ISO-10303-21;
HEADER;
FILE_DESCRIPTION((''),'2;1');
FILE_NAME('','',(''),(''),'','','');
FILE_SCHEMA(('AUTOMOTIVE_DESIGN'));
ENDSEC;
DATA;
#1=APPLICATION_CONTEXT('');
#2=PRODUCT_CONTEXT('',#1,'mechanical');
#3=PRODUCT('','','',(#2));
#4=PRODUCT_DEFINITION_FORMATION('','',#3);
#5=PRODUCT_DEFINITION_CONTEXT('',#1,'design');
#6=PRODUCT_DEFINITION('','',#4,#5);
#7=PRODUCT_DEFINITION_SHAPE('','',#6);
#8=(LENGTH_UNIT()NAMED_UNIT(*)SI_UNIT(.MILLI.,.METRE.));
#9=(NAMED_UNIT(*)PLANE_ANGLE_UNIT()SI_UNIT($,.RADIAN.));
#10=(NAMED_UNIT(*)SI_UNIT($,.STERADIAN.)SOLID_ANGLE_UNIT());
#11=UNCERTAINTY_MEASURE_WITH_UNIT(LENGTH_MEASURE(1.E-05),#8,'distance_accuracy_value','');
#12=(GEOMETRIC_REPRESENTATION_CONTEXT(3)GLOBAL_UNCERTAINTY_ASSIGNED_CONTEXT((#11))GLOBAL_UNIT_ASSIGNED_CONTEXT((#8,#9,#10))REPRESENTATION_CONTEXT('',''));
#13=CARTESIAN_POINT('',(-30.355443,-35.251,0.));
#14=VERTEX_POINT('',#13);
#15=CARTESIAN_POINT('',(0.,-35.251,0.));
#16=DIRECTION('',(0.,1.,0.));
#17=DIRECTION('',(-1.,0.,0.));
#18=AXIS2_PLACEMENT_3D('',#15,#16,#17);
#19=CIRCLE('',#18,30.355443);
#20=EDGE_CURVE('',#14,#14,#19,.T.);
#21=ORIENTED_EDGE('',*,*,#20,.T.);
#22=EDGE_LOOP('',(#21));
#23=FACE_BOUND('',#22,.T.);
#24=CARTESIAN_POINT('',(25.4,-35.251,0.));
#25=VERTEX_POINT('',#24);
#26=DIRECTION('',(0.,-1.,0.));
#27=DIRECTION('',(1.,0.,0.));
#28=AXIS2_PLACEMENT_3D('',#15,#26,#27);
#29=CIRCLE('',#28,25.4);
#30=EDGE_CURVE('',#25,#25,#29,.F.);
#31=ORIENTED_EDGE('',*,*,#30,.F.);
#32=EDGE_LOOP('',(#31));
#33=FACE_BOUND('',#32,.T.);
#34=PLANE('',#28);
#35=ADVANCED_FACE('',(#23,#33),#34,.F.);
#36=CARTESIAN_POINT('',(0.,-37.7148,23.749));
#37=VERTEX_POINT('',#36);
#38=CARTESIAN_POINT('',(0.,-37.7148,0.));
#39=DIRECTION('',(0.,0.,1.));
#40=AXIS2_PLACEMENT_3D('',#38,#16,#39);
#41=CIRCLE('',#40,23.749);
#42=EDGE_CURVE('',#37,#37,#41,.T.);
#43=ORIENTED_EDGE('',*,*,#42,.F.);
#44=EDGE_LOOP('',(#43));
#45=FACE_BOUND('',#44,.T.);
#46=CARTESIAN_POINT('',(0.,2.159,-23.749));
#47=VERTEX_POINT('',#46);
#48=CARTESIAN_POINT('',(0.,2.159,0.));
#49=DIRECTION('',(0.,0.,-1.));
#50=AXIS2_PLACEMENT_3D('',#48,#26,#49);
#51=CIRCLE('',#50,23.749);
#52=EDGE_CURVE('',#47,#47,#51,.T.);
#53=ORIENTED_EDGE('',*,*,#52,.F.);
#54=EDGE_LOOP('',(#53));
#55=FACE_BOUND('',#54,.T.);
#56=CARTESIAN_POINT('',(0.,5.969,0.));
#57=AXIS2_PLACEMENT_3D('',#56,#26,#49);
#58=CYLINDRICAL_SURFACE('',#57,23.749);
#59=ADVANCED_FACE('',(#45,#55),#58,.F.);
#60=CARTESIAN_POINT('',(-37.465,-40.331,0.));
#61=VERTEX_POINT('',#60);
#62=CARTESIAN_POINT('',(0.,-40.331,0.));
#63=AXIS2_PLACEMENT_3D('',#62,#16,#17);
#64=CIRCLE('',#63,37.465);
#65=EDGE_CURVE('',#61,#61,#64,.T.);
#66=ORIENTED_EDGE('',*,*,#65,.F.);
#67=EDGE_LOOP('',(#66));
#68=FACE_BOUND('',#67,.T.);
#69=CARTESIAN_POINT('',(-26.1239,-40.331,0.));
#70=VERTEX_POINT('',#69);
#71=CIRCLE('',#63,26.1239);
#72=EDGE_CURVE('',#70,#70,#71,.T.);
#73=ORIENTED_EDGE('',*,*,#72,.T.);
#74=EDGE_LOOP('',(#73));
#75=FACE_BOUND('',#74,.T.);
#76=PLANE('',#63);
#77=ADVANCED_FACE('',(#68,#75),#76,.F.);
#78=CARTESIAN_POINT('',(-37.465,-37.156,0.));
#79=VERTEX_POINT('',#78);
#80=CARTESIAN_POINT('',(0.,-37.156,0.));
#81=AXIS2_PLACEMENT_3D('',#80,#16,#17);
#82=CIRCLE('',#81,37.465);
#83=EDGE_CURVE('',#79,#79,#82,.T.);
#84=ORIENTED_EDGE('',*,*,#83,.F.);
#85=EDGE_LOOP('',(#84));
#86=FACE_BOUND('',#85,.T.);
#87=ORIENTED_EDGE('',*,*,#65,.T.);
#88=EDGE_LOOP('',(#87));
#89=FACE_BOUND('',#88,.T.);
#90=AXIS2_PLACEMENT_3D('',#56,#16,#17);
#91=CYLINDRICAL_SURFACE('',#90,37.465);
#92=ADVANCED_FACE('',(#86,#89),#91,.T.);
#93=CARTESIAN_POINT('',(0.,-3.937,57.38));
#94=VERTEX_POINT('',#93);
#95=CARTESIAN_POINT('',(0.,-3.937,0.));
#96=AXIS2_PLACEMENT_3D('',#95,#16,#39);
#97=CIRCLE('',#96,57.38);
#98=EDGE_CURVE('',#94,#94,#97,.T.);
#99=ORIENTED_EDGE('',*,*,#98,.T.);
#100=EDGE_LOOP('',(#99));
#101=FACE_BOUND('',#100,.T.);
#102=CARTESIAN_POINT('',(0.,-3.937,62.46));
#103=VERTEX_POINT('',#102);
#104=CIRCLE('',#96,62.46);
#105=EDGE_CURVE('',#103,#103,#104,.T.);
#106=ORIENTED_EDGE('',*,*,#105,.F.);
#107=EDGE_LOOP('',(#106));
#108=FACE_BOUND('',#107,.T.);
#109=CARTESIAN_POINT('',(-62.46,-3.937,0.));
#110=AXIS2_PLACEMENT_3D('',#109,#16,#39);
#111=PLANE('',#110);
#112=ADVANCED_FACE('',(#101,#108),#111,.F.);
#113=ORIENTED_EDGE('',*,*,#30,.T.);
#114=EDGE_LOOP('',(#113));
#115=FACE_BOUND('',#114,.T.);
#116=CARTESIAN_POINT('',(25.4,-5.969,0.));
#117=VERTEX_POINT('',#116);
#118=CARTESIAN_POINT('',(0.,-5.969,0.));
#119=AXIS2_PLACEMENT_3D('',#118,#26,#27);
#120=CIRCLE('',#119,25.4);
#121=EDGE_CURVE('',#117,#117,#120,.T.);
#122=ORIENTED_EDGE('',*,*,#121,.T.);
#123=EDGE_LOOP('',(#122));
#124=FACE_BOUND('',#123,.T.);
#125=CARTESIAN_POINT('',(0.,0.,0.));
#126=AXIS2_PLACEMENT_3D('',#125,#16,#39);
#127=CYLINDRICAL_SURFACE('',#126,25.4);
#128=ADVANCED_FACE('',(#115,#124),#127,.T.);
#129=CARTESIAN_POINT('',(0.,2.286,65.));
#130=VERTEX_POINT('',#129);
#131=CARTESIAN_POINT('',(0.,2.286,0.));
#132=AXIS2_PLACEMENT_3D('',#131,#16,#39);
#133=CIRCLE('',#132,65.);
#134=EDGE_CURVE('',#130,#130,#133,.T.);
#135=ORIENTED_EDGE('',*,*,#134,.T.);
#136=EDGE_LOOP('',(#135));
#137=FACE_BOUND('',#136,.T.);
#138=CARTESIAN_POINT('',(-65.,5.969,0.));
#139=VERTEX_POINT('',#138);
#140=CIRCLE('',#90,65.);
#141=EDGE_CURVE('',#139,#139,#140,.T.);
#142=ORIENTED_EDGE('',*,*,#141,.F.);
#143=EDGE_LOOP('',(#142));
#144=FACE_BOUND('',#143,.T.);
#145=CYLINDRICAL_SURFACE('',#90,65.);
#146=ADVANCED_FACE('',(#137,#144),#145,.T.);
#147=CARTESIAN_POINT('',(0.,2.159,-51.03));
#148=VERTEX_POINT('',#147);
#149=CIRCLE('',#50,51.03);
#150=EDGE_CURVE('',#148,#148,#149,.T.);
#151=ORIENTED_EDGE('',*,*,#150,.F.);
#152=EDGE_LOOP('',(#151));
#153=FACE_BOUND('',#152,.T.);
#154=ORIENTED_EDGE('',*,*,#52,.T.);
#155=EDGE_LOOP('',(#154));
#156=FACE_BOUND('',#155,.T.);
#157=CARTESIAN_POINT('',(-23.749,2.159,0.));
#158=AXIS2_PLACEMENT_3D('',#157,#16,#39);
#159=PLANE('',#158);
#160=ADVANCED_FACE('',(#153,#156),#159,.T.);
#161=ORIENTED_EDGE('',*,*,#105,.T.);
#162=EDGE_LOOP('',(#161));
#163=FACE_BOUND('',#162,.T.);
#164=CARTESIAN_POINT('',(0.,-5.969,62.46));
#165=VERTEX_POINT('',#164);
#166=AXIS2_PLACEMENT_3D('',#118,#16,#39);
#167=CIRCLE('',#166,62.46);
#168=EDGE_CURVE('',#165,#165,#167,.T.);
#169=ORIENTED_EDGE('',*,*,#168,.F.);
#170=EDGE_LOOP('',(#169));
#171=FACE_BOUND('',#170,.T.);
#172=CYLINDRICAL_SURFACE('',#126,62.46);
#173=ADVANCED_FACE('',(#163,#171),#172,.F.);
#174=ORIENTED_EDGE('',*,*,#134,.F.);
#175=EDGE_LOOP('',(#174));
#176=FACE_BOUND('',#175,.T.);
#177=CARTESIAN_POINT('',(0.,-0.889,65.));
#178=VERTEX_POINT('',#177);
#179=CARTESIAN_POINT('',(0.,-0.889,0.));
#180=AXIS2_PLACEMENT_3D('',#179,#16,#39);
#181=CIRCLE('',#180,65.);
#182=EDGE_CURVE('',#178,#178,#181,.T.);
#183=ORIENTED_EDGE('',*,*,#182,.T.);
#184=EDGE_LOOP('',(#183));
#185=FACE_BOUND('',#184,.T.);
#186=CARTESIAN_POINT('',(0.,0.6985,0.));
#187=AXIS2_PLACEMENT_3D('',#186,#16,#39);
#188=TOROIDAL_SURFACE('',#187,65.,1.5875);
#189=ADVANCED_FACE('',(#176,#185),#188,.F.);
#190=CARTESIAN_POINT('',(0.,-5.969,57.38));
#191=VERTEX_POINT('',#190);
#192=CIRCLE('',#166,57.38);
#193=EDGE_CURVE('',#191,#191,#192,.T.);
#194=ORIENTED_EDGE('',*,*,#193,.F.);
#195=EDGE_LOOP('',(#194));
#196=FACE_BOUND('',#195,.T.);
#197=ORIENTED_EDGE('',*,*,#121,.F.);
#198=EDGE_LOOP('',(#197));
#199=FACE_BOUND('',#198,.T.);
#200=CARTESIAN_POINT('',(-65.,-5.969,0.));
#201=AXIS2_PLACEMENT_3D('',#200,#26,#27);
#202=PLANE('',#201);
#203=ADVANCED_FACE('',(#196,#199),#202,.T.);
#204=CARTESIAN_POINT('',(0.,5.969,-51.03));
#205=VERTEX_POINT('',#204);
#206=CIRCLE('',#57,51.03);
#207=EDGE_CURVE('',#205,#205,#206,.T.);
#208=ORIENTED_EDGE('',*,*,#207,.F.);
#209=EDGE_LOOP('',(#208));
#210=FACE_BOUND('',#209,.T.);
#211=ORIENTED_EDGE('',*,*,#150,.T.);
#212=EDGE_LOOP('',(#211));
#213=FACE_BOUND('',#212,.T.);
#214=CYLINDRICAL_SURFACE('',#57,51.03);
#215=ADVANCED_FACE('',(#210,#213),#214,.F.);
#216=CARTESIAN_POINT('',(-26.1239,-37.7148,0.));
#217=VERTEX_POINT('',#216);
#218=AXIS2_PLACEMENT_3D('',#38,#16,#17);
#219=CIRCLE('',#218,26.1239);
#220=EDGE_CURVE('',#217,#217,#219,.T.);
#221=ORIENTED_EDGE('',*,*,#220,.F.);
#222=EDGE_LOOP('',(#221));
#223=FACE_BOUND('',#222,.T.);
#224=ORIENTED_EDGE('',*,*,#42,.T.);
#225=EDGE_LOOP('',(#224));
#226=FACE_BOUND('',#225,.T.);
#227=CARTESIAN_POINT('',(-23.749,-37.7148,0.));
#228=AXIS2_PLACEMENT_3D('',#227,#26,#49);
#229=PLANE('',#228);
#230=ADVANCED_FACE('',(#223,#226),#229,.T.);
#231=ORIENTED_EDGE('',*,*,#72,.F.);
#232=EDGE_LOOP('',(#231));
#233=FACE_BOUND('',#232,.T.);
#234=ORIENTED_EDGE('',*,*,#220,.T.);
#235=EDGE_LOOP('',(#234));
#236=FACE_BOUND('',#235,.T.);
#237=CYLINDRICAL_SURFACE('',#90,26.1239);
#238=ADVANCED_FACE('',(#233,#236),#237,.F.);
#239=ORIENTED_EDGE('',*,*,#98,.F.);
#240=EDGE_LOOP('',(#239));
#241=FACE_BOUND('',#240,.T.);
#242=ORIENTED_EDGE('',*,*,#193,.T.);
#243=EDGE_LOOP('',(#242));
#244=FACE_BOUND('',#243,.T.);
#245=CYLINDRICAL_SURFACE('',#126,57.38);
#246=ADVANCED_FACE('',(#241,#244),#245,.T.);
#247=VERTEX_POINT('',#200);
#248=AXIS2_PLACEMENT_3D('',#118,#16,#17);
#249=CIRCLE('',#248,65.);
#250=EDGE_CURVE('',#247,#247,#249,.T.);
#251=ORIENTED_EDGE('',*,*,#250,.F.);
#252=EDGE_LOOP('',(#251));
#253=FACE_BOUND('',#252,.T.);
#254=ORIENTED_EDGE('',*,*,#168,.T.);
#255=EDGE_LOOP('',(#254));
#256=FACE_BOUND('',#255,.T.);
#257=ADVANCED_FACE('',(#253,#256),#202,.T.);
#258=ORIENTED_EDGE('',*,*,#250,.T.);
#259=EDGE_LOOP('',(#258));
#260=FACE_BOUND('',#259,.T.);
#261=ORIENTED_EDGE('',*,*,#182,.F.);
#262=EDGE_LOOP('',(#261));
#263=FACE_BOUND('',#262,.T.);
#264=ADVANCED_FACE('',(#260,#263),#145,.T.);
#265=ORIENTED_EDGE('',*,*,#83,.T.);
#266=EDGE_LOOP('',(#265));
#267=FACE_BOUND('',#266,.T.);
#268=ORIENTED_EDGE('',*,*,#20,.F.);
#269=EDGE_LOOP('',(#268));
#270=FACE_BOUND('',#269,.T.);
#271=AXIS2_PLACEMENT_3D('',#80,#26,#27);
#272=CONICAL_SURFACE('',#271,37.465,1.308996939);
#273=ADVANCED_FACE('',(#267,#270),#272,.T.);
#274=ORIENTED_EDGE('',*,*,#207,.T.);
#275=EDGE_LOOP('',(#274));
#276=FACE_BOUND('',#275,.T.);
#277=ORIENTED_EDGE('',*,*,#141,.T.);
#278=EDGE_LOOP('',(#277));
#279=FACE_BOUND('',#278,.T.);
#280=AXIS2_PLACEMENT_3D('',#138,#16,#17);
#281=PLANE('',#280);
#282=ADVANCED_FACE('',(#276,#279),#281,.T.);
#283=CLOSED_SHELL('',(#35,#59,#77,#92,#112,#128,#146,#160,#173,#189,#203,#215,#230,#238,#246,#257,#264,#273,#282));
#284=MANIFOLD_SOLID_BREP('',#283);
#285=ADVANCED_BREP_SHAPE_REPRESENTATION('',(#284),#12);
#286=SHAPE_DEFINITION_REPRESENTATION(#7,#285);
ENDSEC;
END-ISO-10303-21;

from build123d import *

# Parameters (mm, degrees)
SKETCH1_W  = 64.999999997
SKETCH1_H  = 11.938
SKETCH13_W = 5.08
SKETCH13_H = 2.032


with BuildPart() as part:
    # Sketch1 → Blank (revolve)
    with BuildSketch(Plane.XY):
        with Locations((-32.499999999, 0)):
            Rectangle(SKETCH1_W, SKETCH1_H)
    revolve(axis=Axis((0, 5.969, 0), (0, -1, 0)))

    # Sketch7 → Single Side Bore (revolve, cut)
    with BuildSketch(Plane.XY, mode=Mode.PRIVATE) as single_side_bore_sk:
        Polygon((-23.749, -5.969), (-23.749, 2.159), (-51.029999997, 2.159), (-51.029999997, 5.969), (0, 5.969), (0, -5.969), align=None)
    revolve(single_side_bore_sk.sketch.rotate(Axis((0, 5.969, 0), (0, 1, 0)), 270), axis=Axis((0, 5.969, 0), (0, 1, 0)), mode=Mode.SUBTRACT)



with BuildPart() as body_2:
    # Sketch9 → KF Flange (revolve)
    with BuildSketch(Plane.XY, mode=Mode.PRIVATE) as kf_flange_sk:
        Polygon((30.355443212, -35.251), (23.749, -35.251), (23.749, -37.7148), (26.1239, -37.7148), (26.1239, -40.331), (37.465, -40.331), (37.465, -37.156), align=None)
    revolve(kf_flange_sk.sketch.rotate(Axis((0, 5.969, 0), (0, -1, 0)), 180), axis=Axis((0, 5.969, 0), (0, -1, 0)))


with BuildPart() as part_1:
    add(part.part)

    add(body_2.part)  # Revolve1 merges body 2
    # Sketch8 → Revolve1 (revolve)
    with BuildSketch(Plane.XY, mode=Mode.PRIVATE) as revolve1_sk:
        Polygon((-23.749, 2.159), (-23.749, -13.081), (-23.749, -22.4748), (-23.749, -37.7148), (-25.4, -37.7148), (-25.4, -22.4748), (-25.4, -13.081), (-25.4, 2.159), align=None)
    revolve(revolve1_sk.sketch.rotate(Axis((0, 0, 0), (0, -1, 0)), 180), axis=Axis((0, 0, 0), (0, -1, 0)))

    # Sketch13 → Cut-Revolve2 (revolve, cut)
    with BuildSketch(Plane.XY, mode=Mode.PRIVATE) as cut_revolve2_sk:
        with Locations((-59.919999997, -4.953)):
            Rectangle(SKETCH13_W, SKETCH13_H)
    revolve(cut_revolve2_sk.sketch.rotate(Axis((0, 0, 0), (0, -1, 0)), 270), axis=Axis((0, 0, 0), (0, -1, 0)), mode=Mode.SUBTRACT)

    # Sketch15 → Cut-Revolve3 (revolve, cut)
    with BuildSketch(Plane.XY):
        with BuildLine():
            Line((-64.999999997, 2.286), (-64.999999997, -0.889))
            ThreePointArc((-64.999999997, -0.889), (-63.412499997, 0.6985), (-64.999999997, 2.286))
        make_face()
    revolve(axis=Axis((0, 0, 0), (0, -1, 0)), mode=Mode.SUBTRACT)


solid = part_1.part
